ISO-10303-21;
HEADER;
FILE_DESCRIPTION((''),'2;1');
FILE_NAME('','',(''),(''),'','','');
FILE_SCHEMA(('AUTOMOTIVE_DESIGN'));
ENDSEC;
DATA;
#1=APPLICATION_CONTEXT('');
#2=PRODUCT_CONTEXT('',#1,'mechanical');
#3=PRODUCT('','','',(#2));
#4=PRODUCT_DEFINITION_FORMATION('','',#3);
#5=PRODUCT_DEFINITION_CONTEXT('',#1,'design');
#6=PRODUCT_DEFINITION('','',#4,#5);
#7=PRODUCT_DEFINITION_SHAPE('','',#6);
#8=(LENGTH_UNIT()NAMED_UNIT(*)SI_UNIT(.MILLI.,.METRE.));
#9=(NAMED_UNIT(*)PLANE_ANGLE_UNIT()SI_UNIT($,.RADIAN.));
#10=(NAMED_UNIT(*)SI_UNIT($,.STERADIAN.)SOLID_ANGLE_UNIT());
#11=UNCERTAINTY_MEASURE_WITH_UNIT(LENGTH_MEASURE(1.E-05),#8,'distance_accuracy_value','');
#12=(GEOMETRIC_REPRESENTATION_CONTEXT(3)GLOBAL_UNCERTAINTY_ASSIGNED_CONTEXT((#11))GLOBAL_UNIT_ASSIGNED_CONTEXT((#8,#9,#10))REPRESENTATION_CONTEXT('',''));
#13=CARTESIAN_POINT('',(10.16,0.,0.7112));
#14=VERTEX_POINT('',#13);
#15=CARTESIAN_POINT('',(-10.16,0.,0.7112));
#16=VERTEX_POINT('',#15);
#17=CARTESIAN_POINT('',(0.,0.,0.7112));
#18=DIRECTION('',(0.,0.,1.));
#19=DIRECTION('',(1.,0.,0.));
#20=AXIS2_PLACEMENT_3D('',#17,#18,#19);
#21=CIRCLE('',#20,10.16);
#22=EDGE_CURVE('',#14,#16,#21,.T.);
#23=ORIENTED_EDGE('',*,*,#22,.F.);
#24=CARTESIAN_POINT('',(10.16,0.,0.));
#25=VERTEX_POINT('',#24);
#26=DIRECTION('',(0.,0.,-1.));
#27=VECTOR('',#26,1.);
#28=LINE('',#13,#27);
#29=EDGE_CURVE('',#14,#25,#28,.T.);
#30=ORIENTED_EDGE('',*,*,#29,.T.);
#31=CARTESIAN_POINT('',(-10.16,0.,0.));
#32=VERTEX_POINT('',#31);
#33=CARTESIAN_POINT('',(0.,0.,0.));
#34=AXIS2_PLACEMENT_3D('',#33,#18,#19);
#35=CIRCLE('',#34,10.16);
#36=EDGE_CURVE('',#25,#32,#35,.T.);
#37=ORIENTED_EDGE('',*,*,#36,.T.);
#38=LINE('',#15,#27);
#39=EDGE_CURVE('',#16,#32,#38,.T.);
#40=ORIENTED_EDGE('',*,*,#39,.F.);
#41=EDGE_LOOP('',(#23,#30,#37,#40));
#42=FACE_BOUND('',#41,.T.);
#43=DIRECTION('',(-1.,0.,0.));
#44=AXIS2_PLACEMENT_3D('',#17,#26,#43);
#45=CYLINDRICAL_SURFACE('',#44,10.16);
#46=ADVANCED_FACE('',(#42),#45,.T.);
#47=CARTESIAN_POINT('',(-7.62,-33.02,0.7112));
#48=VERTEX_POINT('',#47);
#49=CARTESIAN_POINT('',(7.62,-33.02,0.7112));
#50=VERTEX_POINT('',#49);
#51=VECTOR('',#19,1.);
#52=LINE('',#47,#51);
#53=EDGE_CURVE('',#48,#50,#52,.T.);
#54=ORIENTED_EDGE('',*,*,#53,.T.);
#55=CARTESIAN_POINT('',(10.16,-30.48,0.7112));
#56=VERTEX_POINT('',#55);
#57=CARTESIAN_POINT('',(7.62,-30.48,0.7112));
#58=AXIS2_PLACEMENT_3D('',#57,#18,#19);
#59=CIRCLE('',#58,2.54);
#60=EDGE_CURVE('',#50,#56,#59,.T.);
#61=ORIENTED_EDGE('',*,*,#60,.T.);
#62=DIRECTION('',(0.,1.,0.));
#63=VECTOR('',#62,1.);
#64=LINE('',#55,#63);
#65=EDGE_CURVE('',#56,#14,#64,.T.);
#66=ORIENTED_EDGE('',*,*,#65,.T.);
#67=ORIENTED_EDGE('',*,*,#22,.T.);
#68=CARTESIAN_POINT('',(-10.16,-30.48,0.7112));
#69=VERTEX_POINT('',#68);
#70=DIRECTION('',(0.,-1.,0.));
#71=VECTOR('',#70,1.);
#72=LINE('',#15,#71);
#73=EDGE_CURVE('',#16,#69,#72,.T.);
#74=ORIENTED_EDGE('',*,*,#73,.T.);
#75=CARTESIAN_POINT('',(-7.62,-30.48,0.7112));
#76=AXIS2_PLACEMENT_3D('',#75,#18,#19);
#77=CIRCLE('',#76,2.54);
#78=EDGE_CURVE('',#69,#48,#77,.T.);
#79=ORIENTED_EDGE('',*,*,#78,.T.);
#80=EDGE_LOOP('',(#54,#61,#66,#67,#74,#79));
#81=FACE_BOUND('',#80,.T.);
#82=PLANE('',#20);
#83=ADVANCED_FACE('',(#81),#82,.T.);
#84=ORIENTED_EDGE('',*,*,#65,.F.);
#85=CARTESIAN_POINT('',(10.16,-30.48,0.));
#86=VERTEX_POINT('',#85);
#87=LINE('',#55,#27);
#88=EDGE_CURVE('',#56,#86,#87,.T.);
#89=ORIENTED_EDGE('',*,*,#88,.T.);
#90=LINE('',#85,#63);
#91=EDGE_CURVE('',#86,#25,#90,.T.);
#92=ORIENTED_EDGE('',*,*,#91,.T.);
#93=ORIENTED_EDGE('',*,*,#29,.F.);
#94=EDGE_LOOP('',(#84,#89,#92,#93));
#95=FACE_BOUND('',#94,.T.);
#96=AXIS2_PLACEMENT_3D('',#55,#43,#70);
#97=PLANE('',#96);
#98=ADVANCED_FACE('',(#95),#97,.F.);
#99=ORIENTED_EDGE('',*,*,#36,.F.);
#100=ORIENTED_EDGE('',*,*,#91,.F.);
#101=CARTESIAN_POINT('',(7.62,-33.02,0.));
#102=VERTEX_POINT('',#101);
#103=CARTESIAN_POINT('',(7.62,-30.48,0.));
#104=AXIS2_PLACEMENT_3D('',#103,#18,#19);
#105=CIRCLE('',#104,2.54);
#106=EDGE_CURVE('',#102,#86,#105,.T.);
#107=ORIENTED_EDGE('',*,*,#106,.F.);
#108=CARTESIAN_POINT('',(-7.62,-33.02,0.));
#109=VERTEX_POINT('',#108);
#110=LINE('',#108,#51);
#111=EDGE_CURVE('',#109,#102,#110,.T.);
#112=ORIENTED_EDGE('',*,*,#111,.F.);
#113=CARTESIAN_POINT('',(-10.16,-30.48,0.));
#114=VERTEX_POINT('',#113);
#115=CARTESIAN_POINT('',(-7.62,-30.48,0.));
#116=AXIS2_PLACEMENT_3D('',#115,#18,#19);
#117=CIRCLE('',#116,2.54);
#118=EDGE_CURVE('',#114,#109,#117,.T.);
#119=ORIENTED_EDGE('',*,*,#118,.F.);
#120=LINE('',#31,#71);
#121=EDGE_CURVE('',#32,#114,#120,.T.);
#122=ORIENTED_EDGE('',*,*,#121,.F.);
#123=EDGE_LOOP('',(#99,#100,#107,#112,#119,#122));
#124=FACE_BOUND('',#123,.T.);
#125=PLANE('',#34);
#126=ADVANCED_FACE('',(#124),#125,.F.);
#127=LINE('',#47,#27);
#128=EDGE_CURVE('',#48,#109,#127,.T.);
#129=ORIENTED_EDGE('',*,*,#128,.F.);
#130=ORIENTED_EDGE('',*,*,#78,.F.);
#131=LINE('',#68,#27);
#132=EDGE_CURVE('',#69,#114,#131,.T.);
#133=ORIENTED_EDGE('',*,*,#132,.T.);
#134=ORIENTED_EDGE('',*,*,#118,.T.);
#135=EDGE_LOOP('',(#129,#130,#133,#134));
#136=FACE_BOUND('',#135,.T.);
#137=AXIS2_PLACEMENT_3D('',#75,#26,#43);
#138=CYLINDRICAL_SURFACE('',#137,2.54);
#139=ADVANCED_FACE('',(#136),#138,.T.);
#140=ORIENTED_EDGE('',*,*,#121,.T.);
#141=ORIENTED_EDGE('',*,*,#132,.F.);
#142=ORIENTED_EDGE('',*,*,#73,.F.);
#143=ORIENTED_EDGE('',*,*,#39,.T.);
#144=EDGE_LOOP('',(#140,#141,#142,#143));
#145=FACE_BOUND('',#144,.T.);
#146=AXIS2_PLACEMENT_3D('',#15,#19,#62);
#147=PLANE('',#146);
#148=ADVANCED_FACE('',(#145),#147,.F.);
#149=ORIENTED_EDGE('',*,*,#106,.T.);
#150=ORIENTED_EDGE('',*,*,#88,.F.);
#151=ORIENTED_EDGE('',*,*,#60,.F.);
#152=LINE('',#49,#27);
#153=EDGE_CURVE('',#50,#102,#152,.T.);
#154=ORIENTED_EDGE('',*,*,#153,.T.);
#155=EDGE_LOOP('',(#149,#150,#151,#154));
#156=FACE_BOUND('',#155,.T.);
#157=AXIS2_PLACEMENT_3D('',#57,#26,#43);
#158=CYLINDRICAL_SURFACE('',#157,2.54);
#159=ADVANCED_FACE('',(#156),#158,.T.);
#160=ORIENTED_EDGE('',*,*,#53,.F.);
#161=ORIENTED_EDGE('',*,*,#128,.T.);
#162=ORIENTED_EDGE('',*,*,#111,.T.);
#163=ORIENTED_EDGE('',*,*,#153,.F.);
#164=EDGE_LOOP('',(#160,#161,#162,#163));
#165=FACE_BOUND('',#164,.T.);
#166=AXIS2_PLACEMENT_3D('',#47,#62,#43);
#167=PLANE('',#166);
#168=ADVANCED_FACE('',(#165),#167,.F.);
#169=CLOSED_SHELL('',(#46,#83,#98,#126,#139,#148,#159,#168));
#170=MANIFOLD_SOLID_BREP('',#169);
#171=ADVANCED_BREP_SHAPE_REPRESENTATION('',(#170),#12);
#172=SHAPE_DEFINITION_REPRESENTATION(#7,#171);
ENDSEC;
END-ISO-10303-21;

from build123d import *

# Parameters (mm, degrees)
BOSS_EXTRUDE1_DEPTH = 0.7112


with BuildPart() as part:
    # Sketch1 → Boss-Extrude1 (new body)
    with BuildSketch(Plane.XY):
        with BuildLine():
            Line((10.16, -30.48), (10.16, 0))
            ThreePointArc((10.16, 0), (0, 10.16), (-10.16, 0))
            Line((-10.16, 0), (-10.16, -30.48))
            ThreePointArc((-10.16, -30.48), (-9.416051224, -32.276051224), (-7.62, -33.02))
            Line((-7.62, -33.02), (7.62, -33.02))
            ThreePointArc((7.62, -33.02), (9.416051224, -32.276051224), (10.16, -30.48))
        make_face()
    extrude(amount=BOSS_EXTRUDE1_DEPTH)


solid = part.part
